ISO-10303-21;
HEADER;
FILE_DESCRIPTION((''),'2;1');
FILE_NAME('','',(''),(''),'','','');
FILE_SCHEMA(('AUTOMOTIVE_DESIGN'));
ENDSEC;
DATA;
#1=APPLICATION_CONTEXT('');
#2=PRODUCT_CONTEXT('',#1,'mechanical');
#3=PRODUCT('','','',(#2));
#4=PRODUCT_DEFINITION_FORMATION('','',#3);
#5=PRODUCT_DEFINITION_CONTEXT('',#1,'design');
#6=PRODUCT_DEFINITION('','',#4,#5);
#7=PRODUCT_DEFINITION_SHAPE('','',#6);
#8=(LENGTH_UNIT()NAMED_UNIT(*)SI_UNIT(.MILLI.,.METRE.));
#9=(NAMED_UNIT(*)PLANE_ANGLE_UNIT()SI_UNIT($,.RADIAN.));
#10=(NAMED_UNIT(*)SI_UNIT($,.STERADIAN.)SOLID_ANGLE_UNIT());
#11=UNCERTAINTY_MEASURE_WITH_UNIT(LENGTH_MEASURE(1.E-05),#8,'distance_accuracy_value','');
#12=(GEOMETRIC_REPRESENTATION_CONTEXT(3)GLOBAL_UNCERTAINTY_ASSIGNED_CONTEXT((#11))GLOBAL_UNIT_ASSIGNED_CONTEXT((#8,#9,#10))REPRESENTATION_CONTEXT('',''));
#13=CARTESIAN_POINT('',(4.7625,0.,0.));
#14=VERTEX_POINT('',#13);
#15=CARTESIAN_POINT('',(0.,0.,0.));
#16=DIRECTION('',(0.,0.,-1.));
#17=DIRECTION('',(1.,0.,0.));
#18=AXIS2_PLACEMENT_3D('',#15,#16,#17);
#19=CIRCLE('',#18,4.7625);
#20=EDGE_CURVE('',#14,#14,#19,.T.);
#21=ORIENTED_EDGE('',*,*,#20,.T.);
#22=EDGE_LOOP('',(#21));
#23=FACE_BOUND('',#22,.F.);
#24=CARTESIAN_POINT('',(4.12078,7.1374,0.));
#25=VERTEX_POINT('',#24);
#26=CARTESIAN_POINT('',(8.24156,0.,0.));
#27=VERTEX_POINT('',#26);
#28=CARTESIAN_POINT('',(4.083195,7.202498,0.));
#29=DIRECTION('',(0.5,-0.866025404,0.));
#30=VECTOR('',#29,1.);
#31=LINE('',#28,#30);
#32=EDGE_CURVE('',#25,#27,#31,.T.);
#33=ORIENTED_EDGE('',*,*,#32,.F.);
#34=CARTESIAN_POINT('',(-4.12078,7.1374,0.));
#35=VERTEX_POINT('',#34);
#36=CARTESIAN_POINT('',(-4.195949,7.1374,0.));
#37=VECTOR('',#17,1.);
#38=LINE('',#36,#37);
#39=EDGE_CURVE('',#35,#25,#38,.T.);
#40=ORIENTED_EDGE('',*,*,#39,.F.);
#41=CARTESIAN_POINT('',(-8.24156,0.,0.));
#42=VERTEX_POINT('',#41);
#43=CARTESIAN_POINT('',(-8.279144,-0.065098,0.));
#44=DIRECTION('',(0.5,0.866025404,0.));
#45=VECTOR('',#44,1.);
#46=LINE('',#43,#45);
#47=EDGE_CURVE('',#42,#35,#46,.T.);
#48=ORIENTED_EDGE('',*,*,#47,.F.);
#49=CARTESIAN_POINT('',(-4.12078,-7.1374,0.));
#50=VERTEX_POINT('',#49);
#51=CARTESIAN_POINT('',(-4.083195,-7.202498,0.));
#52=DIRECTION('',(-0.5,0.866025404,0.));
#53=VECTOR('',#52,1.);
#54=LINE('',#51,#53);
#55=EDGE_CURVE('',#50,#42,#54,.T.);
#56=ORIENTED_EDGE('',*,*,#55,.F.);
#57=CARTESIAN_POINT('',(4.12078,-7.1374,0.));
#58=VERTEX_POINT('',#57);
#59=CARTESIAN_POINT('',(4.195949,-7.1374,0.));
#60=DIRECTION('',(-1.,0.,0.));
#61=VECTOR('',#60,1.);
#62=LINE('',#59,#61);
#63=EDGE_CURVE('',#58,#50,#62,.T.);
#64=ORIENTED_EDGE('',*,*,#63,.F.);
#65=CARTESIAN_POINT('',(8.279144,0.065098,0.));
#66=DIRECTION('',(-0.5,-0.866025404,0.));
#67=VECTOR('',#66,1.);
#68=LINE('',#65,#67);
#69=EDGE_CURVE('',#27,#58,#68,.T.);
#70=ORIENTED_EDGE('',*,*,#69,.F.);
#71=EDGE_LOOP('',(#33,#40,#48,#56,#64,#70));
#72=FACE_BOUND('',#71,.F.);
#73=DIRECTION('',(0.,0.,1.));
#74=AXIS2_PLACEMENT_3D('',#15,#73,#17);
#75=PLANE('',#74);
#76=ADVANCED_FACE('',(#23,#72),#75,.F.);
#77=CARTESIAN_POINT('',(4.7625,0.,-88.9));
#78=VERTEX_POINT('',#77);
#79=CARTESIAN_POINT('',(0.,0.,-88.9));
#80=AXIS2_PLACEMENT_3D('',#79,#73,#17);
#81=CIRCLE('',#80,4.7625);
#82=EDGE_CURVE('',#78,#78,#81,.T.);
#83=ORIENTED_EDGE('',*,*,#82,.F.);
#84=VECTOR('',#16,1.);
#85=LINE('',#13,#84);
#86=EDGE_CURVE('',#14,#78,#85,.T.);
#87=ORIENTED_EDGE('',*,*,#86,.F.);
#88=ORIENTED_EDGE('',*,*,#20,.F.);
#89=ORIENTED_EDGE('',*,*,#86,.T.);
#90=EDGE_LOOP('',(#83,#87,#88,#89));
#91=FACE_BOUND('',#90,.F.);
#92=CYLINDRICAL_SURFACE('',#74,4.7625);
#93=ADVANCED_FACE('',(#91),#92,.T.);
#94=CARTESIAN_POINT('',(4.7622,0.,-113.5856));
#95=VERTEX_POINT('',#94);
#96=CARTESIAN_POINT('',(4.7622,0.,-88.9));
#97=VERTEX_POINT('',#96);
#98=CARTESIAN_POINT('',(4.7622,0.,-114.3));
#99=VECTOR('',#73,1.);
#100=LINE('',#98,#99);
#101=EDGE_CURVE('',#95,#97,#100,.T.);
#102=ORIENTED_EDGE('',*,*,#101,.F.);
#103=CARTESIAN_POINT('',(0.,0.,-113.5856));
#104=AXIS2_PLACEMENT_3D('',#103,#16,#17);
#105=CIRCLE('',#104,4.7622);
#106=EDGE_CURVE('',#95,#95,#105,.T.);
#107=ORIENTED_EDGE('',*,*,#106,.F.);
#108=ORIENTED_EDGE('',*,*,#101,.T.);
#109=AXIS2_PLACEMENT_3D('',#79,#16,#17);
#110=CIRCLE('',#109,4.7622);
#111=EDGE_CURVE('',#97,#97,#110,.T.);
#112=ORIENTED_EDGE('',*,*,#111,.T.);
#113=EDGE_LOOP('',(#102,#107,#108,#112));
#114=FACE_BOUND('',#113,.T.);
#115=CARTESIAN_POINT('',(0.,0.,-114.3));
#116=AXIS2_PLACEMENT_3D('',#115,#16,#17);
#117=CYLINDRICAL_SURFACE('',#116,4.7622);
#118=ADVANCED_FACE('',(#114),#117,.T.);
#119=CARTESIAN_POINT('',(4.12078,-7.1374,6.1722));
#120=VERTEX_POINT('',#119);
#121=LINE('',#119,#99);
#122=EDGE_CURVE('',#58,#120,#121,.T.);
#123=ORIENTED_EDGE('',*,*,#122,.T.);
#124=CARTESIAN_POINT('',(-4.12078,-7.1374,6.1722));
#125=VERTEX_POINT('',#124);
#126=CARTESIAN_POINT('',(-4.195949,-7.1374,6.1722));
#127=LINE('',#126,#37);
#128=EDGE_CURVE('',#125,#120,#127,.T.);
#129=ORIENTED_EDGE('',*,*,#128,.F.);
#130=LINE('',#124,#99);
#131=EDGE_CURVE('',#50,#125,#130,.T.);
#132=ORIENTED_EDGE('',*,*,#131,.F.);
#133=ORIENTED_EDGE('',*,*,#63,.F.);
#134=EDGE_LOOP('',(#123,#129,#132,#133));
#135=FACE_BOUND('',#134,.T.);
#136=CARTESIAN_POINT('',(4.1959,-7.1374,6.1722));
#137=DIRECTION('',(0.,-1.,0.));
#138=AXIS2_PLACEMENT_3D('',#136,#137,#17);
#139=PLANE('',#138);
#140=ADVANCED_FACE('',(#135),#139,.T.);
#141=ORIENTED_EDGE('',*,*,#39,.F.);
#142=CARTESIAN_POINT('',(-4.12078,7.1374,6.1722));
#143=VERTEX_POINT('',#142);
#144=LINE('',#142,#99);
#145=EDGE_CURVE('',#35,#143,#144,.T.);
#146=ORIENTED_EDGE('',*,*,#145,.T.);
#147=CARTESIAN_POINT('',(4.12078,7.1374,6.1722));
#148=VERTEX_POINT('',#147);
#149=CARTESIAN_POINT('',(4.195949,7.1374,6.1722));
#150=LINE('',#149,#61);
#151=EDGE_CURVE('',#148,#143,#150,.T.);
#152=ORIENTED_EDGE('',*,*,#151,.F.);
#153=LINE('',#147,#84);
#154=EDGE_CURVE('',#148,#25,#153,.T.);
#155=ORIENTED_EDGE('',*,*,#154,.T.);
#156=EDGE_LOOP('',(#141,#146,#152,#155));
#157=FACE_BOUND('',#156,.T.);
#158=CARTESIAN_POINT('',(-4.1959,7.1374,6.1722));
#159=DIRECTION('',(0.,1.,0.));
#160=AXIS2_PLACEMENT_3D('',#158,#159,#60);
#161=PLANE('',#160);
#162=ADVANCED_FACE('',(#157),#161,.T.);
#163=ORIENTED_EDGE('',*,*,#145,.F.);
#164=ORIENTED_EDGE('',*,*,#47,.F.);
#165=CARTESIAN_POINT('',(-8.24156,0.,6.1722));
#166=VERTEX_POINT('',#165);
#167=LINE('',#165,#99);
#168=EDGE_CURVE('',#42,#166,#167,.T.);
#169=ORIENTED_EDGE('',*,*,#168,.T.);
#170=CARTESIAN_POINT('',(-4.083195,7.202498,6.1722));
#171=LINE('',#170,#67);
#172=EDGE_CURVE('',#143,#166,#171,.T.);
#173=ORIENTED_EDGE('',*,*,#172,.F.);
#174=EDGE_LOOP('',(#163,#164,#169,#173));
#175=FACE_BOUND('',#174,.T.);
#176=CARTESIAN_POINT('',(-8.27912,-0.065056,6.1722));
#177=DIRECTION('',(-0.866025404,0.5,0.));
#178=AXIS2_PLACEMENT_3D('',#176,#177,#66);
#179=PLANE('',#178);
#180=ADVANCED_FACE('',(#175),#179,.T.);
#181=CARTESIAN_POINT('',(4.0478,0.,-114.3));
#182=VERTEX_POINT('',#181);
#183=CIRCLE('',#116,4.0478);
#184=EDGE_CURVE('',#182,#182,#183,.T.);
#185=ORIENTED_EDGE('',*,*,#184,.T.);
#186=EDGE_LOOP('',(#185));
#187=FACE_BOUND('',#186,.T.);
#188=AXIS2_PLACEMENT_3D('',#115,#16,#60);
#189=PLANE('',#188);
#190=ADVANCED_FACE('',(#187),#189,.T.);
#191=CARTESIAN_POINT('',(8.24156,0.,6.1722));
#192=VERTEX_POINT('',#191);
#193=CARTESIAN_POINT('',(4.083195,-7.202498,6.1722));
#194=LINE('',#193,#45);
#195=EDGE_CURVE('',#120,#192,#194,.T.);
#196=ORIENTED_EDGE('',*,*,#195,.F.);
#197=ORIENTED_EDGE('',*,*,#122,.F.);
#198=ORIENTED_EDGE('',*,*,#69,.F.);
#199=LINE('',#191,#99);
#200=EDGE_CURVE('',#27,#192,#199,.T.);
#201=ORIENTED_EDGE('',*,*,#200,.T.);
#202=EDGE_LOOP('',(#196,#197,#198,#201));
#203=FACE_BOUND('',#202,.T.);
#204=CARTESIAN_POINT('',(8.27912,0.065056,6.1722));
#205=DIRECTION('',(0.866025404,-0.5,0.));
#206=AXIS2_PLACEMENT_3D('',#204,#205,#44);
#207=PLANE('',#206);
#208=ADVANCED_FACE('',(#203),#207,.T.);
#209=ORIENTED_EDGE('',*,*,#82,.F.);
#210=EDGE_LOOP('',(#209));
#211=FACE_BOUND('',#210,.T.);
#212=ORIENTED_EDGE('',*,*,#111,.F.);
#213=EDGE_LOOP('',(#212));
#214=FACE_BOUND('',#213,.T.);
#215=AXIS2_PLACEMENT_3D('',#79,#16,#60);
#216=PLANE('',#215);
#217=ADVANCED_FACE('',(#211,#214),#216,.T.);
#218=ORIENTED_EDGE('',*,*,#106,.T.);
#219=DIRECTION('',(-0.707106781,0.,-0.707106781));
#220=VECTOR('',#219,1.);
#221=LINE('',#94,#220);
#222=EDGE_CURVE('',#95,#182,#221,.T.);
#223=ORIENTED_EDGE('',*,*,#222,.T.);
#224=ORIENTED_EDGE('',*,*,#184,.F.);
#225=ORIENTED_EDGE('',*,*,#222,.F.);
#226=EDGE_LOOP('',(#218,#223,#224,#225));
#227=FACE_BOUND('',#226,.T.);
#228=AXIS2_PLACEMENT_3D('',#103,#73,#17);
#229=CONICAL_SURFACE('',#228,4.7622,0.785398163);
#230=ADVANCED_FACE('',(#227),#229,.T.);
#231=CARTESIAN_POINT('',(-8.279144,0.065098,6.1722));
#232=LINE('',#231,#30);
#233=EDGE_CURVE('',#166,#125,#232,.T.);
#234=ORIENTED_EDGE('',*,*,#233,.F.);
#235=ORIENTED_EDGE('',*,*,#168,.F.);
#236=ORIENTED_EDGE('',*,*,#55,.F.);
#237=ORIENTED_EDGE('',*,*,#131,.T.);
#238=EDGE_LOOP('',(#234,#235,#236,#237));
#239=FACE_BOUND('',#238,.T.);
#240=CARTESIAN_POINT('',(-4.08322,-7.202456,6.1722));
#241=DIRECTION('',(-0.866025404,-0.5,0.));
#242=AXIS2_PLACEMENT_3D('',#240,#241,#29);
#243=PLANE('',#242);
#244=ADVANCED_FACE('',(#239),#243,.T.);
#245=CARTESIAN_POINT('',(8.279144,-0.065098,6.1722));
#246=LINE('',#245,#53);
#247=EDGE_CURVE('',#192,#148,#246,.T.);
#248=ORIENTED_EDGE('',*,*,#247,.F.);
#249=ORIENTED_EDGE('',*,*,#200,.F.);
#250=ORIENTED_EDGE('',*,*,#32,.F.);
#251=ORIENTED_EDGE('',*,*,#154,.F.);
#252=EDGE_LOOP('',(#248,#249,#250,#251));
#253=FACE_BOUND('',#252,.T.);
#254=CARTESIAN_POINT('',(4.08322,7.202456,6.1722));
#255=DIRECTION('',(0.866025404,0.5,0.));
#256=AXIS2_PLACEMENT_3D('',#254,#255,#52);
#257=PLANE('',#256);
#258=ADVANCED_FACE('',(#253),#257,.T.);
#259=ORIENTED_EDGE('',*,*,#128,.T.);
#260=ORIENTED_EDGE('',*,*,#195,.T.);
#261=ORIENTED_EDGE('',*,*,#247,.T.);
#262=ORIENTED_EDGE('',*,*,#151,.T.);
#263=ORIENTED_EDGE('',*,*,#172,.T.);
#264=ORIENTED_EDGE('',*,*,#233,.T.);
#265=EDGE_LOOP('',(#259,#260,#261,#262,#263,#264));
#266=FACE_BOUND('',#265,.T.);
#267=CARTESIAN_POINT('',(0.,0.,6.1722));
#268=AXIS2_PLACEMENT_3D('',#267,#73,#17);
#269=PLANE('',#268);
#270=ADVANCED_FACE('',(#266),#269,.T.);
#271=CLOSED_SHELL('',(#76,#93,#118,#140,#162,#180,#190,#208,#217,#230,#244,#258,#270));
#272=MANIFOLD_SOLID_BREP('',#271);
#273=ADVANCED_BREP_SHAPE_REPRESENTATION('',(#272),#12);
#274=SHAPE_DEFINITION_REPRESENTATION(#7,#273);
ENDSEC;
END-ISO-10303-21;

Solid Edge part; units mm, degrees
sketch "Sketch1" plane through (0, 0, 0) normal (0, 0, 1) x (1, 0, 0)
  circle A0 centre (0, 0) radius 8.2794
  dimension "D1" = 16.5588
extrude "Protrusion1" add sketch "Sketch1" along normal blind 6.1722
sketch "Sketch2" plane through (0, 0, 0) normal (0, 0, -1) x (1, 0, 0)
  circle A0 centre (0, 0) radius 4.7625
extrude "Protrusion2" add sketch "Sketch2" along normal blind 114.3
sketch "Sketch3" plane through (0, 0, -114.3) normal (0, 0, -1) x (1, 0, 0)
  circle A0 centre (0, 0) radius 4.7622
extrude "Cutout1" cut sketch "Sketch3" against normal blind 25.4 flip side to cut
chamfer "Chamfer_1" distance 0.7144 angle 45 1 edges at (-4.7622, 0, -114.3)
sketch "Sketch4" plane through (0, 0, 6.1722) normal (0, 0, 1) x (1, 0, 0)
  line L0 (-4.1959, 7.1374) -> (4.1959, 7.1374)
  dimension "D1" = 14.2748
extrude "Cutout2" cut sketch "Sketch4" against normal up to next material side at (0, 7.1874, 6.1722)
pattern_circular "Pattern1" count 6 over 360 about axis through (0, 0, 6.1722) along (0, 0, 1) of "Cutout2"
properties part number "185535"
